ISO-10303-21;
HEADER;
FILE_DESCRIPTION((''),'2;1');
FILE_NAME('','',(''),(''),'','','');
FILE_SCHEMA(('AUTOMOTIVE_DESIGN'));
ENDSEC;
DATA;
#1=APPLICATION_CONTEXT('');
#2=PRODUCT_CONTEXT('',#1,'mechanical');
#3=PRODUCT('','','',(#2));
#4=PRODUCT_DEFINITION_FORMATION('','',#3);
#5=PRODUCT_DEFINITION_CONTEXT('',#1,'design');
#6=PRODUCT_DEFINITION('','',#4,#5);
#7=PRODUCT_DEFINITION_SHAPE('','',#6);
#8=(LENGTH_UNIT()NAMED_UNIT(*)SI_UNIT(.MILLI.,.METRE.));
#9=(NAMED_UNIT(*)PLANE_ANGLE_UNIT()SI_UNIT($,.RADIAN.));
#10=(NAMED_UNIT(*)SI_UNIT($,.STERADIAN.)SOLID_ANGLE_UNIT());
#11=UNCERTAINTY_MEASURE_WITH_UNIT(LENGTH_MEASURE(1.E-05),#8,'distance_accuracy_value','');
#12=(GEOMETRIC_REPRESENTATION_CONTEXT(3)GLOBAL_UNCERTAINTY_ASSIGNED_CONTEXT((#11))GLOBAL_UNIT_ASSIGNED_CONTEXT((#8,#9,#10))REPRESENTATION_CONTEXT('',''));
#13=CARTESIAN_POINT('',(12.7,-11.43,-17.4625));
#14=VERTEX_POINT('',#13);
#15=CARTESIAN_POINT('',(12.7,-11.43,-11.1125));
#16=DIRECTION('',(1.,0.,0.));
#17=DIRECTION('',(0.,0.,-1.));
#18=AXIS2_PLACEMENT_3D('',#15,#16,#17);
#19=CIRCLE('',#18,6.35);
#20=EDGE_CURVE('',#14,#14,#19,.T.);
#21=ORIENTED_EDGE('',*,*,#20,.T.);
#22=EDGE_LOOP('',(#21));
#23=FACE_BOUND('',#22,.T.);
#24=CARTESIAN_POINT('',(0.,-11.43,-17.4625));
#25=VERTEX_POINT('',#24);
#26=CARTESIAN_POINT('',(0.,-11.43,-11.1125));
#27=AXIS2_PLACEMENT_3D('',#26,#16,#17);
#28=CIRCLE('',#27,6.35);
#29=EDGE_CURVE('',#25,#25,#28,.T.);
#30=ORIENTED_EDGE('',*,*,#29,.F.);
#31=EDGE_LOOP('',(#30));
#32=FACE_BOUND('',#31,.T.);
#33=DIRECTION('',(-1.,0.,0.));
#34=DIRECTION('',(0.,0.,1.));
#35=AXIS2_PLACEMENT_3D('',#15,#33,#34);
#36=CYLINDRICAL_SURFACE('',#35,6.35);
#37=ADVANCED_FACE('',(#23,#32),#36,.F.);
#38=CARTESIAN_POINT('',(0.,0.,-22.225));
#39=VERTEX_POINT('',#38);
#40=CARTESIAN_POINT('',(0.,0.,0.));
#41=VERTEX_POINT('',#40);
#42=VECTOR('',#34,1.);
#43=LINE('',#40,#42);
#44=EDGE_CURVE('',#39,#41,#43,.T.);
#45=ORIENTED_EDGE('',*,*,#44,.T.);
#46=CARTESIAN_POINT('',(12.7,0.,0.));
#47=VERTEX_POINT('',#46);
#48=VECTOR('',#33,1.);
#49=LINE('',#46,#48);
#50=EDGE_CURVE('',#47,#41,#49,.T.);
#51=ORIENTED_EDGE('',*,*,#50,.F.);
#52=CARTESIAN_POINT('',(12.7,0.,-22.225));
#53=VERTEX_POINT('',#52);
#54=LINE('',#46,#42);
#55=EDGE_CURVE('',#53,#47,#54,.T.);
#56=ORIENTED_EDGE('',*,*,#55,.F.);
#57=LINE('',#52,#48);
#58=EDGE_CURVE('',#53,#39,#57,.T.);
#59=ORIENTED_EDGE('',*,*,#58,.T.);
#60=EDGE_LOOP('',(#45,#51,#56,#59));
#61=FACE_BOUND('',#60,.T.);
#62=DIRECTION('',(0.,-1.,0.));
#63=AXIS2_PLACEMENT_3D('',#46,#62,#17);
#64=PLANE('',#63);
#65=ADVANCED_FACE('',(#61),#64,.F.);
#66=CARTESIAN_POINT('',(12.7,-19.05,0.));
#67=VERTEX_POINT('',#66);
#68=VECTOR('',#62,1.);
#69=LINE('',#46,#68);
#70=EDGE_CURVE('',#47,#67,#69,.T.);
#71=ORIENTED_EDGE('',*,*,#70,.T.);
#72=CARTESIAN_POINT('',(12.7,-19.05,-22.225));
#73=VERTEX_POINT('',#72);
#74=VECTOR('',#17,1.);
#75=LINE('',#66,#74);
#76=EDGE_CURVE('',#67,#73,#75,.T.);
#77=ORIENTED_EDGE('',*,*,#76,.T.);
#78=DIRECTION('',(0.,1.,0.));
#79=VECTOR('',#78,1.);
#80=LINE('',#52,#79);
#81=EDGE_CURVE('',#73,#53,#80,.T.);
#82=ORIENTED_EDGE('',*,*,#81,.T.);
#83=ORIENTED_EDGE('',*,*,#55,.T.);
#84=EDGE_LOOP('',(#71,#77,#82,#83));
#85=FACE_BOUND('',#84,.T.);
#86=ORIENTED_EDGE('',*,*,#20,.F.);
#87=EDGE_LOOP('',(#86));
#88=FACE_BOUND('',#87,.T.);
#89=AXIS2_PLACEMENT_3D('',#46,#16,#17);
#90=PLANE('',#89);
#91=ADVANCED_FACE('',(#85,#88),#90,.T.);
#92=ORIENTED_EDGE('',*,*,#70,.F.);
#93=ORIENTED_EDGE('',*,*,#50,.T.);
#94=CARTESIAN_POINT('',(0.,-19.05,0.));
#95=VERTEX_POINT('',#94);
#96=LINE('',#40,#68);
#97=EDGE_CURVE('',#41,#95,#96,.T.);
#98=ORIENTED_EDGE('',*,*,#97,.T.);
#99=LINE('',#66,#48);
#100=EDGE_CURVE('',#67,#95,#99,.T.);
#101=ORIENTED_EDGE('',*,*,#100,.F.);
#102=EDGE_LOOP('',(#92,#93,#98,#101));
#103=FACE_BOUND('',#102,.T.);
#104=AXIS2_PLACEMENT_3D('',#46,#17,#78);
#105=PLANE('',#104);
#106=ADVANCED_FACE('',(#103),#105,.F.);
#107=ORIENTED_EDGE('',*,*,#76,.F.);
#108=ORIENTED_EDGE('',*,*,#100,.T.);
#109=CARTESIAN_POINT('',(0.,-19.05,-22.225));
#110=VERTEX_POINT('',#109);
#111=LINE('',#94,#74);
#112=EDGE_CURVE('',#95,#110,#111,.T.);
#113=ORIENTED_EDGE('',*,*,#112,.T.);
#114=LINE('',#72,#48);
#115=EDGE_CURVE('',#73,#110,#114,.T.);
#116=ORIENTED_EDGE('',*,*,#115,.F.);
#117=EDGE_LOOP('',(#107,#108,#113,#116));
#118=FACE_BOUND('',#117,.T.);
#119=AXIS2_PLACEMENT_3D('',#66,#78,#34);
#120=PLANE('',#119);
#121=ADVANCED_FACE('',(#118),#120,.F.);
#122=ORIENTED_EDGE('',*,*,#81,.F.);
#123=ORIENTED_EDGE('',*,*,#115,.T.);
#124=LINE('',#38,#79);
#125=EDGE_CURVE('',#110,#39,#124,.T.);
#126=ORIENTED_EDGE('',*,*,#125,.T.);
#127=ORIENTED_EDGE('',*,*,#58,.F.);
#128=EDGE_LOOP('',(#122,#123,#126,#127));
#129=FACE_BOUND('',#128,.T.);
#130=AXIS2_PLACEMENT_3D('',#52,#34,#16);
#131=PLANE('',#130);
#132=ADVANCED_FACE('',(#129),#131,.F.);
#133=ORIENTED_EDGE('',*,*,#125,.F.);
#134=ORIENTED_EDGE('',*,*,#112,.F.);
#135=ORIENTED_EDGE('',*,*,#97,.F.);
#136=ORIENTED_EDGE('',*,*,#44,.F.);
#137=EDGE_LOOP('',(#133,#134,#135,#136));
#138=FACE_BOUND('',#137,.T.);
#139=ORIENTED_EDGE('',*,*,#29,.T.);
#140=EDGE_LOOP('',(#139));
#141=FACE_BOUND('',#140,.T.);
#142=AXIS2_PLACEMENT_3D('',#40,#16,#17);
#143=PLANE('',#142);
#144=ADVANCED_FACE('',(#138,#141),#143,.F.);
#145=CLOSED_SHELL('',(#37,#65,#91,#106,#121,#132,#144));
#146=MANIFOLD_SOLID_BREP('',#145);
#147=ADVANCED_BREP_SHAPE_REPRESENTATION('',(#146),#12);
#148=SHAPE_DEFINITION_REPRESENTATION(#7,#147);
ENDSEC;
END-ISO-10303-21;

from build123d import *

# Parameters (mm, degrees)
SKETCH1_W           = 22.225
SKETCH1_H           = 19.05
SKETCH1_R           = 6.35
BOSS_EXTRUDE1_DEPTH = 12.7


with BuildPart() as part:
    # Sketch1 → Boss-Extrude1 (new body)
    with BuildSketch(Plane(origin=(0, 0, 0), x_dir=(0, 0, -1), z_dir=(1, 0, 0))):
        with Locations((11.1125, -9.525)):
            Rectangle(SKETCH1_W, SKETCH1_H)
        with Locations((11.1125, -11.43)):
            Circle(SKETCH1_R, mode=Mode.SUBTRACT)
    extrude(amount=BOSS_EXTRUDE1_DEPTH)


solid = part.part
